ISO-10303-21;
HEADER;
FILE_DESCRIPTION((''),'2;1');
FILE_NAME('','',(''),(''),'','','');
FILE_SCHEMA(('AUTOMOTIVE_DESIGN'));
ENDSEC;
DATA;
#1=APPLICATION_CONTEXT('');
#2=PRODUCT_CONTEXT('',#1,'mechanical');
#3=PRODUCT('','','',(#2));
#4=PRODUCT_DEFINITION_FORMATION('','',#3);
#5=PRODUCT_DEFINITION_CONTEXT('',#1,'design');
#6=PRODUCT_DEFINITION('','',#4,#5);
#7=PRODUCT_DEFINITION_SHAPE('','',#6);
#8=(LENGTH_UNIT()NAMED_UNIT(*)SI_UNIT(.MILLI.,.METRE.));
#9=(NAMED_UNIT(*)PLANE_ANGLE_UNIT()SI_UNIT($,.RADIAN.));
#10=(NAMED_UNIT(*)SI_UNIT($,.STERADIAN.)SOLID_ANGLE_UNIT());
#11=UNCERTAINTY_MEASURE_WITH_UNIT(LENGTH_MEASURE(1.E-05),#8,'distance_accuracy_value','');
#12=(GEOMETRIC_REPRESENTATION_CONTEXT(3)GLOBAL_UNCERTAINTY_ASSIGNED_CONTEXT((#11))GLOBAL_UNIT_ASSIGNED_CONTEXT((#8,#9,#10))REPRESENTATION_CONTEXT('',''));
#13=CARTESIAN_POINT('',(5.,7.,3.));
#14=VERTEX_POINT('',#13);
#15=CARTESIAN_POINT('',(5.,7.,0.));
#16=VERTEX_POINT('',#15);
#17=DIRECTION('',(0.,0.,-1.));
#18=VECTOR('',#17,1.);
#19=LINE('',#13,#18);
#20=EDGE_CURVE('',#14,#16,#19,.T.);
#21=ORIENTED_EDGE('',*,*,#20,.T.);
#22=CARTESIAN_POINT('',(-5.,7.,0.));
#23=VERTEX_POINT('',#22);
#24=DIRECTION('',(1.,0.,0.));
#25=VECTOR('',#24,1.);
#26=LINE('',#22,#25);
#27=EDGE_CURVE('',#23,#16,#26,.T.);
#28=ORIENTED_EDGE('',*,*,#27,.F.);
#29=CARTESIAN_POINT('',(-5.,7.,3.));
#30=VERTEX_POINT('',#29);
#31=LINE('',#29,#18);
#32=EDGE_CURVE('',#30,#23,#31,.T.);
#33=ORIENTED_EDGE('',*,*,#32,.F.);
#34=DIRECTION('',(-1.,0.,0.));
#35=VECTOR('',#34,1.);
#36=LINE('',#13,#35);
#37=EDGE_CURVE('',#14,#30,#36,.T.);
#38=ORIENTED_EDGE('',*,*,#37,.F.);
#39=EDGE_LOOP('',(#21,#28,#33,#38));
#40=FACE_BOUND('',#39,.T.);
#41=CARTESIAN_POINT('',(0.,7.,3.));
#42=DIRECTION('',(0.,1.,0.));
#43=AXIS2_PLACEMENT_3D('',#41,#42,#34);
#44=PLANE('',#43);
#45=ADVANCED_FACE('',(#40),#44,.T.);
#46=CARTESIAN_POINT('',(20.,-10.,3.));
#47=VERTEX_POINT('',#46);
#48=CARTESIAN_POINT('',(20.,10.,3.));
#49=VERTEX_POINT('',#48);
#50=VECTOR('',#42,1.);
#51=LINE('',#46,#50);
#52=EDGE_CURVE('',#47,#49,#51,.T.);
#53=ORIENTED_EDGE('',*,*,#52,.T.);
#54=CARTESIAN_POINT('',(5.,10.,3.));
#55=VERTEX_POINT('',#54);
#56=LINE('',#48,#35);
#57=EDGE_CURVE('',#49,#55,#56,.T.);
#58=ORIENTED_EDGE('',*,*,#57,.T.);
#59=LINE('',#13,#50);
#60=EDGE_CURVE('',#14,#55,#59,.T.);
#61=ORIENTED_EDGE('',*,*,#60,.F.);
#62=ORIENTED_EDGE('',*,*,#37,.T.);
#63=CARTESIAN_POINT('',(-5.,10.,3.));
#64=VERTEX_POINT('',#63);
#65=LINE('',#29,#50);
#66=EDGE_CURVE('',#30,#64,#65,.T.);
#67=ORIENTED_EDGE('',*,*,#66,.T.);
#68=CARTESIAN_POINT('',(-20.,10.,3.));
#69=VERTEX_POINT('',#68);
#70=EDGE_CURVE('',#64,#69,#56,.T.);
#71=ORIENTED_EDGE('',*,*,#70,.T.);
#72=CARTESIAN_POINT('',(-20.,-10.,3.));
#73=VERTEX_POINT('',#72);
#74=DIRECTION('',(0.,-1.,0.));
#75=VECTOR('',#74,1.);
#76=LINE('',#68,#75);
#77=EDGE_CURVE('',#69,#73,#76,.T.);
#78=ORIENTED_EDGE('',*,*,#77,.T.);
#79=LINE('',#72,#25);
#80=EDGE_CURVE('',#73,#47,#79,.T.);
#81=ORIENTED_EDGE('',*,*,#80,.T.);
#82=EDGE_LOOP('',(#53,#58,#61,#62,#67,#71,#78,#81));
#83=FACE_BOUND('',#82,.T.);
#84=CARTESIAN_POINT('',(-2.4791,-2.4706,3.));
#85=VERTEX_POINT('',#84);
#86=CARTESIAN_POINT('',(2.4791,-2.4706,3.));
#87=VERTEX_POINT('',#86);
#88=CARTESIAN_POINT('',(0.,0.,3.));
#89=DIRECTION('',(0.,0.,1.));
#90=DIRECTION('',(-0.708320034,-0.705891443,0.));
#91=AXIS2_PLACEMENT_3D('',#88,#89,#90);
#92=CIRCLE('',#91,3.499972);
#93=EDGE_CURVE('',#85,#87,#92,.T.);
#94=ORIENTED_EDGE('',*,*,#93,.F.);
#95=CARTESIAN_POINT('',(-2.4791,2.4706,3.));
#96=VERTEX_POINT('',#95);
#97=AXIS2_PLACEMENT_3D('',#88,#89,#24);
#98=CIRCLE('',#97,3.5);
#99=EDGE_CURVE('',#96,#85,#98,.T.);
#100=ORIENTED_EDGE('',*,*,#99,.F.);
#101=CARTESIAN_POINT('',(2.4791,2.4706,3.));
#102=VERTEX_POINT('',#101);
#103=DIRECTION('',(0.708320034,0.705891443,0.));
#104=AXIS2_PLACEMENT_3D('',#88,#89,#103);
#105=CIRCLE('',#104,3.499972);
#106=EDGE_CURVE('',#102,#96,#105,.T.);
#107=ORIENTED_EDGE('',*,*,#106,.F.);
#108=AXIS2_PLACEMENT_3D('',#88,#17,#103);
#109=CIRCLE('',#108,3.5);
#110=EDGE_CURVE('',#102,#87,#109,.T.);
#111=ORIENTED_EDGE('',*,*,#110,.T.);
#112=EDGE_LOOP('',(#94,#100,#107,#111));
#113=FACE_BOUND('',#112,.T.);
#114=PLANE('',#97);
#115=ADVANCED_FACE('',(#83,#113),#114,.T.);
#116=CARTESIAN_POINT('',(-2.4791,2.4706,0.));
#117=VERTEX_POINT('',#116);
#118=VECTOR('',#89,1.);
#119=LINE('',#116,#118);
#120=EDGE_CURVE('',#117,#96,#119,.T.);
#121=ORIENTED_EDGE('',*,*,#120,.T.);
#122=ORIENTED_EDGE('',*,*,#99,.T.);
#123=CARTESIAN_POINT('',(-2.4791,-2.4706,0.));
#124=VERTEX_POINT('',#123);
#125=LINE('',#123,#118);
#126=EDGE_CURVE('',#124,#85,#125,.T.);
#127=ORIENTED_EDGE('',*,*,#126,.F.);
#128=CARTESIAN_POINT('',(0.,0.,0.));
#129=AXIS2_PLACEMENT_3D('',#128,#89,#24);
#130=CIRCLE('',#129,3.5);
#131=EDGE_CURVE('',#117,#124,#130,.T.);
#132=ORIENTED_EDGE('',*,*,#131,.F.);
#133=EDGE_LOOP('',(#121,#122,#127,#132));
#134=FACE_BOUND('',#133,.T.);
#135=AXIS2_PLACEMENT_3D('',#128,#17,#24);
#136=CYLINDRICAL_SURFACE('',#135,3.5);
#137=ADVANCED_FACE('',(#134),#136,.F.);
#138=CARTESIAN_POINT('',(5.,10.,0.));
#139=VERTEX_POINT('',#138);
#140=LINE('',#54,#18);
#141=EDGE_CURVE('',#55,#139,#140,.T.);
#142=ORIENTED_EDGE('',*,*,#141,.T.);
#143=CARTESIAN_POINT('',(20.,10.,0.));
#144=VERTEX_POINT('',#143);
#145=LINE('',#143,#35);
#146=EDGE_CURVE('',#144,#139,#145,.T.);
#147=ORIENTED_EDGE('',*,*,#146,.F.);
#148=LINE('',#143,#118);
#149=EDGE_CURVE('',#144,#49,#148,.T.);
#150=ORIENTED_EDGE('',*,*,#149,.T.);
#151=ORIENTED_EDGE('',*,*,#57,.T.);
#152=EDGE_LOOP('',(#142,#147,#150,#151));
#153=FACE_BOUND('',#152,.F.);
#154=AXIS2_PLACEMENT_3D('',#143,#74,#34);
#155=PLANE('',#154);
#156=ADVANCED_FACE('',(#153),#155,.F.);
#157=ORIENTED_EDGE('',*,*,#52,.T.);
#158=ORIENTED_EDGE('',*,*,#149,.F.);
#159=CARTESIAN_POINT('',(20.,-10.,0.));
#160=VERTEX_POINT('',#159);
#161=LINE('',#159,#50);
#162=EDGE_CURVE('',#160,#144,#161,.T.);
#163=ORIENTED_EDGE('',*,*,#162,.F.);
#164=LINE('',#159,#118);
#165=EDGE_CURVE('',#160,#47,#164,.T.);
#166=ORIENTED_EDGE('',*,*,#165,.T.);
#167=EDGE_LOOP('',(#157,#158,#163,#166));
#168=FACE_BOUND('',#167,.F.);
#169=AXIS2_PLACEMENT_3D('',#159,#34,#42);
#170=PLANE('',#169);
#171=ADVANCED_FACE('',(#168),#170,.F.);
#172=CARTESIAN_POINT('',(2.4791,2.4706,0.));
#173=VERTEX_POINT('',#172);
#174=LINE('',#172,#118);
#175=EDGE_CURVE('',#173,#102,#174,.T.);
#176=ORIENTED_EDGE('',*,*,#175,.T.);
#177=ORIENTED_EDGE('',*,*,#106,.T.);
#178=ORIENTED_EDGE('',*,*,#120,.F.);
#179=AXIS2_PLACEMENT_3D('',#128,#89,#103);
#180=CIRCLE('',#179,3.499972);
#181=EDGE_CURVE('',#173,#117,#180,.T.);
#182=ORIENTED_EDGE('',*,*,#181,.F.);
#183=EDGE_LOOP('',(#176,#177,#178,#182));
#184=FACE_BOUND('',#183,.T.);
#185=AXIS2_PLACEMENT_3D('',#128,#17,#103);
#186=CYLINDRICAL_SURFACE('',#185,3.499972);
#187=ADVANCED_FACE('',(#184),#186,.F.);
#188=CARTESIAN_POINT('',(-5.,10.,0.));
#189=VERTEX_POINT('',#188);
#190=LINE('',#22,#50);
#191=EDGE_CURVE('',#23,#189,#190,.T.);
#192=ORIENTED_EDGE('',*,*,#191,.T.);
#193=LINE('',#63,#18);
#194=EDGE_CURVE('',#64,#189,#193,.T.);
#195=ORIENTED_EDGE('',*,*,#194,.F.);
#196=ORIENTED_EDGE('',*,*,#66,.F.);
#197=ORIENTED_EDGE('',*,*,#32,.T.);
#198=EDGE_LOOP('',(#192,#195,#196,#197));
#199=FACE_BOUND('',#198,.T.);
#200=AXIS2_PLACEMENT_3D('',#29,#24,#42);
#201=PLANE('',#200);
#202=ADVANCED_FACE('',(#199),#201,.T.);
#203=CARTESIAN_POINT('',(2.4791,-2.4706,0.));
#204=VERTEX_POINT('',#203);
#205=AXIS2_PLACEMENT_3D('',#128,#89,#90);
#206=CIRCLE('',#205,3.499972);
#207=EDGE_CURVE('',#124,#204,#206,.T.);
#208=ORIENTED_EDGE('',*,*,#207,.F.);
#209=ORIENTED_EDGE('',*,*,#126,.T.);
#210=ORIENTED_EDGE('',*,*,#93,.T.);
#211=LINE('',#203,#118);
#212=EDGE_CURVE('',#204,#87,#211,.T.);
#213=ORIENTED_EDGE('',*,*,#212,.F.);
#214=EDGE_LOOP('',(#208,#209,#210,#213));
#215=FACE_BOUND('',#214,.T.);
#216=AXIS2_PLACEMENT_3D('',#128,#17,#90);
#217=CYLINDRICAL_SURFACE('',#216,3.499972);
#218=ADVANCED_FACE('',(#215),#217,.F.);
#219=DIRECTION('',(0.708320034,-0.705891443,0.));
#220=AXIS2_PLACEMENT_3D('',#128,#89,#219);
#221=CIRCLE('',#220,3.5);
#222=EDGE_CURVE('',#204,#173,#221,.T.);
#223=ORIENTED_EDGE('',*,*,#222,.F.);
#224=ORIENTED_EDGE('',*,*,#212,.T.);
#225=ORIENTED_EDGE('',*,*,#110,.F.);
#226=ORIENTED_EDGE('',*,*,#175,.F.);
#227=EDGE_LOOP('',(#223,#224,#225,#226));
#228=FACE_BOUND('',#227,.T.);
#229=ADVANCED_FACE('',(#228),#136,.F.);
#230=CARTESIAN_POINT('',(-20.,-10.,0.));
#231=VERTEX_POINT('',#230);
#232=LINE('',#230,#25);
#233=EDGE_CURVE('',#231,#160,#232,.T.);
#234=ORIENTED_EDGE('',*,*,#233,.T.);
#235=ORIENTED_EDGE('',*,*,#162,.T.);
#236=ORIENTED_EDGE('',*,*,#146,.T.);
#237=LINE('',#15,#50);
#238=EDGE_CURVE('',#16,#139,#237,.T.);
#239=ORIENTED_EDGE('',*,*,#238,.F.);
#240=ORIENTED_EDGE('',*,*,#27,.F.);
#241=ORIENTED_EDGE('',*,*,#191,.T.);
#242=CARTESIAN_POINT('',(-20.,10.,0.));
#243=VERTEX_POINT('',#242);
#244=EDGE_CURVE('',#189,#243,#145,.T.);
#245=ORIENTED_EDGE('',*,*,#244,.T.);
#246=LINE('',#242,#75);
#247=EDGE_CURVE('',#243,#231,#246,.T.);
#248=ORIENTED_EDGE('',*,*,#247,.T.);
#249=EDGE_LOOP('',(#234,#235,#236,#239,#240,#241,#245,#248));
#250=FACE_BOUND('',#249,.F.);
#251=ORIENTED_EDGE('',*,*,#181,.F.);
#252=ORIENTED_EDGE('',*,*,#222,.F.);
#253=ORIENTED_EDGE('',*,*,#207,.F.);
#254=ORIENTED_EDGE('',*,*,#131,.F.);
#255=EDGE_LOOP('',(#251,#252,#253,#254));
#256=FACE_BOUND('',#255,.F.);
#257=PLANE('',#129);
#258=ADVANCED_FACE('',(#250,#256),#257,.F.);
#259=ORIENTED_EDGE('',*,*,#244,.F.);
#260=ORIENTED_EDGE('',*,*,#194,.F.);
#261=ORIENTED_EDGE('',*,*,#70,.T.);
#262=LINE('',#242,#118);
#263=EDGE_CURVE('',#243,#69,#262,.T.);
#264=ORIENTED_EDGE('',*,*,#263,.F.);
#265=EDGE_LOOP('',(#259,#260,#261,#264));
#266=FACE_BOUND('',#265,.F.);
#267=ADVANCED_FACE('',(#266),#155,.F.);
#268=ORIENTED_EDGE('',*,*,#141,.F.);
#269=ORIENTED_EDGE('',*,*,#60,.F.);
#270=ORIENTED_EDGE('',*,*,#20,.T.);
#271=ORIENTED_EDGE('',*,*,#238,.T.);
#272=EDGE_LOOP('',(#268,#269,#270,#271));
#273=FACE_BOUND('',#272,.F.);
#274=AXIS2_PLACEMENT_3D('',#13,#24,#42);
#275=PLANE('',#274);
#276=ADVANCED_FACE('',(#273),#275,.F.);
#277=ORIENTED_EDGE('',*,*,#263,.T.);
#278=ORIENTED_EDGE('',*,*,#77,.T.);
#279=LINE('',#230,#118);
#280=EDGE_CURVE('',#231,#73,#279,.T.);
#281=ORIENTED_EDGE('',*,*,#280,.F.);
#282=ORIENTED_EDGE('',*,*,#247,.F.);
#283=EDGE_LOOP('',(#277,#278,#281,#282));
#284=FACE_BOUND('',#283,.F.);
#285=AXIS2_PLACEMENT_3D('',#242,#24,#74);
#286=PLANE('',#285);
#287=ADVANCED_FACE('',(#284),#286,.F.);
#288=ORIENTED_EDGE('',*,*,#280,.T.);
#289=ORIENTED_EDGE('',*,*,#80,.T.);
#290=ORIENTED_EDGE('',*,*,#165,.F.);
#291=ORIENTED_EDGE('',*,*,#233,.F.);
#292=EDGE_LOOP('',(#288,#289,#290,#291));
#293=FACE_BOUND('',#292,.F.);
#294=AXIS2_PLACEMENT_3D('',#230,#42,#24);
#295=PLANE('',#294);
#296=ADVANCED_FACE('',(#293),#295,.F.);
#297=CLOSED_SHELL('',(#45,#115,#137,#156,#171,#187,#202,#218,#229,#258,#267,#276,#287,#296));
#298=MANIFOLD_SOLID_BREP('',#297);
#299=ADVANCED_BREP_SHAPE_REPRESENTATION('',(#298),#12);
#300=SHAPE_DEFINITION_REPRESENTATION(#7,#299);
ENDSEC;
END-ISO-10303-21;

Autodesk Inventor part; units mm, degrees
ref_plane "YZ Plane" through (0, 0, 0) normal (1, 0, 0) x (0, 1, 0)
ref_plane "XZ Plane" through (0, 0, 0) normal (0, 1, 0) x (-1, 0, 0)
ref_plane "XY Plane" through (0, 0, 0) normal (0, 0, 1) x (1, 0, 0)
sketch "Boceto1" plane through (0, 0, 0) normal (0, 0, 1) x (1, 0, 0)
  line L0 (-20, -10) -> (20, -10)
  line L1 (20, -10) -> (20, 10)
  line L2 (20, 10) -> (-20, 10)
  line L3 (-20, 10) -> (-20, -10)
  arc A0 (14, -2) -> (14, 2) centre (14, 0) ccw
  arc A1 (-2.4791, -2.4706) -> (2.4791, -2.4706) centre (0, 0) ccw
  arc A2 (-14, 2) -> (-14, -2) centre (-14, 0) ccw
  arc A3 (2.4791, 2.4706) -> (-2.4791, 2.4706) centre (0, 0) ccw
  circle A4 centre (0, 0) radius 3.5
extrude "Extrusión1" add sketch "Boceto1" along normal blind 3
sketch "Boceto2" plane through (0, 0, 3) normal (0, 0, 1) x (1, 0, 0)
  circle A0 centre (0, 0) radius 3.5 projected
  line L0 (-20, -10) -> (20, -10) projected
  line L1 (20, -10) -> (20, 10) projected
  line L2 (-20, 10) -> (-20, -10) projected
  line L3 (0, 7) -> (5, 7)
  line L4 (5, 7) -> (5, 10)
  line L5 (0, 7) -> (-5, 7)
  line L6 (-5, 7) -> (-5, 10)
  line L7 (-5, 7) -> (5, 7)
  line L8 (5, 7) -> (5, 10)
  line L9 (5, 10) -> (-5, 10)
  line L10 (-5, 10) -> (-5, 7)
  line L11 (-5, 7) -> (5, 7)
  line L12 (5, 7) -> (5, 17.8116)
  line L13 (5, 17.8116) -> (-5, 17.8116)
  line L14 (-5, 17.8116) -> (-5, 7)
  dimension "d3" = 5
  dimension "d4" = 5
extrude "Extrusión2" cut sketch "Boceto2" against normal blind 3 contours L5 L6 L9 L4 L3
properties part number "acople 2" material "Madera (nogal)"
